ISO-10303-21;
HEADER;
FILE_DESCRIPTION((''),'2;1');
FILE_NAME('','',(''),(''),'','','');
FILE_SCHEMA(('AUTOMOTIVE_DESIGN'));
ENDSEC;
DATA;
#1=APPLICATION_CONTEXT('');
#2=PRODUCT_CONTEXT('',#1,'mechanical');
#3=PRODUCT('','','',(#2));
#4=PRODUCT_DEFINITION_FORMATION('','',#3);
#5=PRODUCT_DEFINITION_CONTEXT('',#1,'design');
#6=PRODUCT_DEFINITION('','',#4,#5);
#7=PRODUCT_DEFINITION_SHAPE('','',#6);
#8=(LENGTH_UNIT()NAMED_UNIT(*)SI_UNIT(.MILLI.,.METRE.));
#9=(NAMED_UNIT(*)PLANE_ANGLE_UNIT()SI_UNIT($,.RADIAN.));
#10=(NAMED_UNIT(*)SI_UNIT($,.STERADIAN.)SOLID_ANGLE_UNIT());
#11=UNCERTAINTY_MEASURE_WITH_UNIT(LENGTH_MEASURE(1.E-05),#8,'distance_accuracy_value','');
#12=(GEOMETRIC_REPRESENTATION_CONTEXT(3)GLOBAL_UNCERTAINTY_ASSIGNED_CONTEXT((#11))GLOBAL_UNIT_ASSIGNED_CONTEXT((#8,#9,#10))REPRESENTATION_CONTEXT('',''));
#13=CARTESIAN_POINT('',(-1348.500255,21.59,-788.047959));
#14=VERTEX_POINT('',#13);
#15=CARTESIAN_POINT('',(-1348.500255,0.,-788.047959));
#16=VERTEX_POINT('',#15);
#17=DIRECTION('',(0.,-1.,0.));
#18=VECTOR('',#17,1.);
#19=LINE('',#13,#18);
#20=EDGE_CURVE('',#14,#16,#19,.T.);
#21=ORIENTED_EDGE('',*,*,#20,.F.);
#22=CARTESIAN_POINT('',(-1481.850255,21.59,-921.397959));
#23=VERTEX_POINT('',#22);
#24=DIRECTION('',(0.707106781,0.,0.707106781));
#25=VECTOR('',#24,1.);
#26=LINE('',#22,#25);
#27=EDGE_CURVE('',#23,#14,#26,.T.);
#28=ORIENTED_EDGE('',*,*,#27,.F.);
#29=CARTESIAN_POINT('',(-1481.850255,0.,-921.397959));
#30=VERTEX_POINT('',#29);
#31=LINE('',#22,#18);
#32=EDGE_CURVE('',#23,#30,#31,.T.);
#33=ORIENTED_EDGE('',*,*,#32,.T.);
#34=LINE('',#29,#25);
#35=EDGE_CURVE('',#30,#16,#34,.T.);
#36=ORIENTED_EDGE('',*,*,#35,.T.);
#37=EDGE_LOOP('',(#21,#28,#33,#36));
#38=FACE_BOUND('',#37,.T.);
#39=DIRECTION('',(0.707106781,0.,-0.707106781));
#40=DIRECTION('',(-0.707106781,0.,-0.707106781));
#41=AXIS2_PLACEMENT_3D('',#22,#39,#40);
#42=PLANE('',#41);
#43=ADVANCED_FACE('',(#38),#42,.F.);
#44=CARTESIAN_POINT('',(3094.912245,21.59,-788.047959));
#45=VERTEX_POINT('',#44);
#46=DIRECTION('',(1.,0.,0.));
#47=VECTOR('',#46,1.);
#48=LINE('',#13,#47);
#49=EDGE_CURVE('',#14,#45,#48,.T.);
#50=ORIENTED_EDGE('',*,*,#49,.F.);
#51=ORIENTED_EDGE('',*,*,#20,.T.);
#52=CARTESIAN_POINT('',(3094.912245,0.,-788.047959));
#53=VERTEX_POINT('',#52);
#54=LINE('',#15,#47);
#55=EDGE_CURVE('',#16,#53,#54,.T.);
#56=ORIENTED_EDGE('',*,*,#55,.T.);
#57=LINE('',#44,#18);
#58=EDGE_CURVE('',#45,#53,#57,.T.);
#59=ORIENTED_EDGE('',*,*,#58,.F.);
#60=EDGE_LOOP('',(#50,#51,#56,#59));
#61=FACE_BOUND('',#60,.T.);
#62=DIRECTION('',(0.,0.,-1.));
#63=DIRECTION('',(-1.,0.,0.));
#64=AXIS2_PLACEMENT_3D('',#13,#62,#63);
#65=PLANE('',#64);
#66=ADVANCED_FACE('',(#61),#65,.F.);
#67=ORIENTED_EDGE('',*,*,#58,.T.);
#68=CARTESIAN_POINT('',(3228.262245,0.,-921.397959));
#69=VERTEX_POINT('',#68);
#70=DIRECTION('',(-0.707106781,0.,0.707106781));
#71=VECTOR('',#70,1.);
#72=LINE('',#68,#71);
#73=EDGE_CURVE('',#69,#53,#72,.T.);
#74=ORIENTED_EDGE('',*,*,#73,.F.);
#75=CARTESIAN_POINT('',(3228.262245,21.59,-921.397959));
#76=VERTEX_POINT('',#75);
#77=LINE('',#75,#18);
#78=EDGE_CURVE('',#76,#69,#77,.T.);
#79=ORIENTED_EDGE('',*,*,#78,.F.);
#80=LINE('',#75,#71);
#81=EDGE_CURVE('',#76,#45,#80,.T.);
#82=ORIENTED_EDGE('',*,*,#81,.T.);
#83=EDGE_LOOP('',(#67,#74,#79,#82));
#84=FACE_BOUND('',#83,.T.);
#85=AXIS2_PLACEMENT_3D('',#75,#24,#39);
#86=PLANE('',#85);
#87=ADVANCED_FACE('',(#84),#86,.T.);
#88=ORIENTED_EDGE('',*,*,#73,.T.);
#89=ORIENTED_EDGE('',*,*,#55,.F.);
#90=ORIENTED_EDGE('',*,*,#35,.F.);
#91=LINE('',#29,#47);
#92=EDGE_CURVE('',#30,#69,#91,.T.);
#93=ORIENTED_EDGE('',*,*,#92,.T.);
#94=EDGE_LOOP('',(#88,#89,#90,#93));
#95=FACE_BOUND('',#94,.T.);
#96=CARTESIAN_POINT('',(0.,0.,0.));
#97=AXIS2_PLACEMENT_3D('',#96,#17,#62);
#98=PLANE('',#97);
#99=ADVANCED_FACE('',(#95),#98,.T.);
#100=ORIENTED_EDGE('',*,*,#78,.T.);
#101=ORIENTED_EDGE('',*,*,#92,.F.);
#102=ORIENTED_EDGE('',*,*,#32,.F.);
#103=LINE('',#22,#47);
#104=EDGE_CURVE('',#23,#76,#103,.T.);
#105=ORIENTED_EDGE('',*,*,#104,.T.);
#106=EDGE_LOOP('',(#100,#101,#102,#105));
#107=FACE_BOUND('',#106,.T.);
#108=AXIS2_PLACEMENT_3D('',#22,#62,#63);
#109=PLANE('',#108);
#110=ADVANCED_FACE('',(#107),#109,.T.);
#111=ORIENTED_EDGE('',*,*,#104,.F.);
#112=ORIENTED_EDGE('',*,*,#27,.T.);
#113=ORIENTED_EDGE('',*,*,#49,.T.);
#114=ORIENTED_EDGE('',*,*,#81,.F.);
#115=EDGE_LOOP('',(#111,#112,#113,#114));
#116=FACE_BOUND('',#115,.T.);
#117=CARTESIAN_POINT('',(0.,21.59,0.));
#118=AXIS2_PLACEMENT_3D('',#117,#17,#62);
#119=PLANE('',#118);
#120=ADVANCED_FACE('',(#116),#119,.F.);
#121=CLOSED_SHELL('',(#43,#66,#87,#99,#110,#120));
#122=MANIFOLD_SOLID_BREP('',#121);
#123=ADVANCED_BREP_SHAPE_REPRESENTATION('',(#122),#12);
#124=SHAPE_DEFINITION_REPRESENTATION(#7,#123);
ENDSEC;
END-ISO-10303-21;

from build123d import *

# Parameters (mm, degrees)
BOSS_EXTRUDE1_DEPTH = 21.59


with BuildPart() as part:
    # Sketch1 → Boss-Extrude1 (new body)
    with BuildSketch(Plane(origin=(0, 0, 0), x_dir=(1, 0, 0), z_dir=(0, 1, 0))):
        Polygon((-1481.850255102, 921.397959184), (3228.262244898, 921.397959184), (3094.912244898, 788.047959184), (-1348.500255102, 788.047959184), align=None)
    extrude(amount=BOSS_EXTRUDE1_DEPTH)


solid = part.part
